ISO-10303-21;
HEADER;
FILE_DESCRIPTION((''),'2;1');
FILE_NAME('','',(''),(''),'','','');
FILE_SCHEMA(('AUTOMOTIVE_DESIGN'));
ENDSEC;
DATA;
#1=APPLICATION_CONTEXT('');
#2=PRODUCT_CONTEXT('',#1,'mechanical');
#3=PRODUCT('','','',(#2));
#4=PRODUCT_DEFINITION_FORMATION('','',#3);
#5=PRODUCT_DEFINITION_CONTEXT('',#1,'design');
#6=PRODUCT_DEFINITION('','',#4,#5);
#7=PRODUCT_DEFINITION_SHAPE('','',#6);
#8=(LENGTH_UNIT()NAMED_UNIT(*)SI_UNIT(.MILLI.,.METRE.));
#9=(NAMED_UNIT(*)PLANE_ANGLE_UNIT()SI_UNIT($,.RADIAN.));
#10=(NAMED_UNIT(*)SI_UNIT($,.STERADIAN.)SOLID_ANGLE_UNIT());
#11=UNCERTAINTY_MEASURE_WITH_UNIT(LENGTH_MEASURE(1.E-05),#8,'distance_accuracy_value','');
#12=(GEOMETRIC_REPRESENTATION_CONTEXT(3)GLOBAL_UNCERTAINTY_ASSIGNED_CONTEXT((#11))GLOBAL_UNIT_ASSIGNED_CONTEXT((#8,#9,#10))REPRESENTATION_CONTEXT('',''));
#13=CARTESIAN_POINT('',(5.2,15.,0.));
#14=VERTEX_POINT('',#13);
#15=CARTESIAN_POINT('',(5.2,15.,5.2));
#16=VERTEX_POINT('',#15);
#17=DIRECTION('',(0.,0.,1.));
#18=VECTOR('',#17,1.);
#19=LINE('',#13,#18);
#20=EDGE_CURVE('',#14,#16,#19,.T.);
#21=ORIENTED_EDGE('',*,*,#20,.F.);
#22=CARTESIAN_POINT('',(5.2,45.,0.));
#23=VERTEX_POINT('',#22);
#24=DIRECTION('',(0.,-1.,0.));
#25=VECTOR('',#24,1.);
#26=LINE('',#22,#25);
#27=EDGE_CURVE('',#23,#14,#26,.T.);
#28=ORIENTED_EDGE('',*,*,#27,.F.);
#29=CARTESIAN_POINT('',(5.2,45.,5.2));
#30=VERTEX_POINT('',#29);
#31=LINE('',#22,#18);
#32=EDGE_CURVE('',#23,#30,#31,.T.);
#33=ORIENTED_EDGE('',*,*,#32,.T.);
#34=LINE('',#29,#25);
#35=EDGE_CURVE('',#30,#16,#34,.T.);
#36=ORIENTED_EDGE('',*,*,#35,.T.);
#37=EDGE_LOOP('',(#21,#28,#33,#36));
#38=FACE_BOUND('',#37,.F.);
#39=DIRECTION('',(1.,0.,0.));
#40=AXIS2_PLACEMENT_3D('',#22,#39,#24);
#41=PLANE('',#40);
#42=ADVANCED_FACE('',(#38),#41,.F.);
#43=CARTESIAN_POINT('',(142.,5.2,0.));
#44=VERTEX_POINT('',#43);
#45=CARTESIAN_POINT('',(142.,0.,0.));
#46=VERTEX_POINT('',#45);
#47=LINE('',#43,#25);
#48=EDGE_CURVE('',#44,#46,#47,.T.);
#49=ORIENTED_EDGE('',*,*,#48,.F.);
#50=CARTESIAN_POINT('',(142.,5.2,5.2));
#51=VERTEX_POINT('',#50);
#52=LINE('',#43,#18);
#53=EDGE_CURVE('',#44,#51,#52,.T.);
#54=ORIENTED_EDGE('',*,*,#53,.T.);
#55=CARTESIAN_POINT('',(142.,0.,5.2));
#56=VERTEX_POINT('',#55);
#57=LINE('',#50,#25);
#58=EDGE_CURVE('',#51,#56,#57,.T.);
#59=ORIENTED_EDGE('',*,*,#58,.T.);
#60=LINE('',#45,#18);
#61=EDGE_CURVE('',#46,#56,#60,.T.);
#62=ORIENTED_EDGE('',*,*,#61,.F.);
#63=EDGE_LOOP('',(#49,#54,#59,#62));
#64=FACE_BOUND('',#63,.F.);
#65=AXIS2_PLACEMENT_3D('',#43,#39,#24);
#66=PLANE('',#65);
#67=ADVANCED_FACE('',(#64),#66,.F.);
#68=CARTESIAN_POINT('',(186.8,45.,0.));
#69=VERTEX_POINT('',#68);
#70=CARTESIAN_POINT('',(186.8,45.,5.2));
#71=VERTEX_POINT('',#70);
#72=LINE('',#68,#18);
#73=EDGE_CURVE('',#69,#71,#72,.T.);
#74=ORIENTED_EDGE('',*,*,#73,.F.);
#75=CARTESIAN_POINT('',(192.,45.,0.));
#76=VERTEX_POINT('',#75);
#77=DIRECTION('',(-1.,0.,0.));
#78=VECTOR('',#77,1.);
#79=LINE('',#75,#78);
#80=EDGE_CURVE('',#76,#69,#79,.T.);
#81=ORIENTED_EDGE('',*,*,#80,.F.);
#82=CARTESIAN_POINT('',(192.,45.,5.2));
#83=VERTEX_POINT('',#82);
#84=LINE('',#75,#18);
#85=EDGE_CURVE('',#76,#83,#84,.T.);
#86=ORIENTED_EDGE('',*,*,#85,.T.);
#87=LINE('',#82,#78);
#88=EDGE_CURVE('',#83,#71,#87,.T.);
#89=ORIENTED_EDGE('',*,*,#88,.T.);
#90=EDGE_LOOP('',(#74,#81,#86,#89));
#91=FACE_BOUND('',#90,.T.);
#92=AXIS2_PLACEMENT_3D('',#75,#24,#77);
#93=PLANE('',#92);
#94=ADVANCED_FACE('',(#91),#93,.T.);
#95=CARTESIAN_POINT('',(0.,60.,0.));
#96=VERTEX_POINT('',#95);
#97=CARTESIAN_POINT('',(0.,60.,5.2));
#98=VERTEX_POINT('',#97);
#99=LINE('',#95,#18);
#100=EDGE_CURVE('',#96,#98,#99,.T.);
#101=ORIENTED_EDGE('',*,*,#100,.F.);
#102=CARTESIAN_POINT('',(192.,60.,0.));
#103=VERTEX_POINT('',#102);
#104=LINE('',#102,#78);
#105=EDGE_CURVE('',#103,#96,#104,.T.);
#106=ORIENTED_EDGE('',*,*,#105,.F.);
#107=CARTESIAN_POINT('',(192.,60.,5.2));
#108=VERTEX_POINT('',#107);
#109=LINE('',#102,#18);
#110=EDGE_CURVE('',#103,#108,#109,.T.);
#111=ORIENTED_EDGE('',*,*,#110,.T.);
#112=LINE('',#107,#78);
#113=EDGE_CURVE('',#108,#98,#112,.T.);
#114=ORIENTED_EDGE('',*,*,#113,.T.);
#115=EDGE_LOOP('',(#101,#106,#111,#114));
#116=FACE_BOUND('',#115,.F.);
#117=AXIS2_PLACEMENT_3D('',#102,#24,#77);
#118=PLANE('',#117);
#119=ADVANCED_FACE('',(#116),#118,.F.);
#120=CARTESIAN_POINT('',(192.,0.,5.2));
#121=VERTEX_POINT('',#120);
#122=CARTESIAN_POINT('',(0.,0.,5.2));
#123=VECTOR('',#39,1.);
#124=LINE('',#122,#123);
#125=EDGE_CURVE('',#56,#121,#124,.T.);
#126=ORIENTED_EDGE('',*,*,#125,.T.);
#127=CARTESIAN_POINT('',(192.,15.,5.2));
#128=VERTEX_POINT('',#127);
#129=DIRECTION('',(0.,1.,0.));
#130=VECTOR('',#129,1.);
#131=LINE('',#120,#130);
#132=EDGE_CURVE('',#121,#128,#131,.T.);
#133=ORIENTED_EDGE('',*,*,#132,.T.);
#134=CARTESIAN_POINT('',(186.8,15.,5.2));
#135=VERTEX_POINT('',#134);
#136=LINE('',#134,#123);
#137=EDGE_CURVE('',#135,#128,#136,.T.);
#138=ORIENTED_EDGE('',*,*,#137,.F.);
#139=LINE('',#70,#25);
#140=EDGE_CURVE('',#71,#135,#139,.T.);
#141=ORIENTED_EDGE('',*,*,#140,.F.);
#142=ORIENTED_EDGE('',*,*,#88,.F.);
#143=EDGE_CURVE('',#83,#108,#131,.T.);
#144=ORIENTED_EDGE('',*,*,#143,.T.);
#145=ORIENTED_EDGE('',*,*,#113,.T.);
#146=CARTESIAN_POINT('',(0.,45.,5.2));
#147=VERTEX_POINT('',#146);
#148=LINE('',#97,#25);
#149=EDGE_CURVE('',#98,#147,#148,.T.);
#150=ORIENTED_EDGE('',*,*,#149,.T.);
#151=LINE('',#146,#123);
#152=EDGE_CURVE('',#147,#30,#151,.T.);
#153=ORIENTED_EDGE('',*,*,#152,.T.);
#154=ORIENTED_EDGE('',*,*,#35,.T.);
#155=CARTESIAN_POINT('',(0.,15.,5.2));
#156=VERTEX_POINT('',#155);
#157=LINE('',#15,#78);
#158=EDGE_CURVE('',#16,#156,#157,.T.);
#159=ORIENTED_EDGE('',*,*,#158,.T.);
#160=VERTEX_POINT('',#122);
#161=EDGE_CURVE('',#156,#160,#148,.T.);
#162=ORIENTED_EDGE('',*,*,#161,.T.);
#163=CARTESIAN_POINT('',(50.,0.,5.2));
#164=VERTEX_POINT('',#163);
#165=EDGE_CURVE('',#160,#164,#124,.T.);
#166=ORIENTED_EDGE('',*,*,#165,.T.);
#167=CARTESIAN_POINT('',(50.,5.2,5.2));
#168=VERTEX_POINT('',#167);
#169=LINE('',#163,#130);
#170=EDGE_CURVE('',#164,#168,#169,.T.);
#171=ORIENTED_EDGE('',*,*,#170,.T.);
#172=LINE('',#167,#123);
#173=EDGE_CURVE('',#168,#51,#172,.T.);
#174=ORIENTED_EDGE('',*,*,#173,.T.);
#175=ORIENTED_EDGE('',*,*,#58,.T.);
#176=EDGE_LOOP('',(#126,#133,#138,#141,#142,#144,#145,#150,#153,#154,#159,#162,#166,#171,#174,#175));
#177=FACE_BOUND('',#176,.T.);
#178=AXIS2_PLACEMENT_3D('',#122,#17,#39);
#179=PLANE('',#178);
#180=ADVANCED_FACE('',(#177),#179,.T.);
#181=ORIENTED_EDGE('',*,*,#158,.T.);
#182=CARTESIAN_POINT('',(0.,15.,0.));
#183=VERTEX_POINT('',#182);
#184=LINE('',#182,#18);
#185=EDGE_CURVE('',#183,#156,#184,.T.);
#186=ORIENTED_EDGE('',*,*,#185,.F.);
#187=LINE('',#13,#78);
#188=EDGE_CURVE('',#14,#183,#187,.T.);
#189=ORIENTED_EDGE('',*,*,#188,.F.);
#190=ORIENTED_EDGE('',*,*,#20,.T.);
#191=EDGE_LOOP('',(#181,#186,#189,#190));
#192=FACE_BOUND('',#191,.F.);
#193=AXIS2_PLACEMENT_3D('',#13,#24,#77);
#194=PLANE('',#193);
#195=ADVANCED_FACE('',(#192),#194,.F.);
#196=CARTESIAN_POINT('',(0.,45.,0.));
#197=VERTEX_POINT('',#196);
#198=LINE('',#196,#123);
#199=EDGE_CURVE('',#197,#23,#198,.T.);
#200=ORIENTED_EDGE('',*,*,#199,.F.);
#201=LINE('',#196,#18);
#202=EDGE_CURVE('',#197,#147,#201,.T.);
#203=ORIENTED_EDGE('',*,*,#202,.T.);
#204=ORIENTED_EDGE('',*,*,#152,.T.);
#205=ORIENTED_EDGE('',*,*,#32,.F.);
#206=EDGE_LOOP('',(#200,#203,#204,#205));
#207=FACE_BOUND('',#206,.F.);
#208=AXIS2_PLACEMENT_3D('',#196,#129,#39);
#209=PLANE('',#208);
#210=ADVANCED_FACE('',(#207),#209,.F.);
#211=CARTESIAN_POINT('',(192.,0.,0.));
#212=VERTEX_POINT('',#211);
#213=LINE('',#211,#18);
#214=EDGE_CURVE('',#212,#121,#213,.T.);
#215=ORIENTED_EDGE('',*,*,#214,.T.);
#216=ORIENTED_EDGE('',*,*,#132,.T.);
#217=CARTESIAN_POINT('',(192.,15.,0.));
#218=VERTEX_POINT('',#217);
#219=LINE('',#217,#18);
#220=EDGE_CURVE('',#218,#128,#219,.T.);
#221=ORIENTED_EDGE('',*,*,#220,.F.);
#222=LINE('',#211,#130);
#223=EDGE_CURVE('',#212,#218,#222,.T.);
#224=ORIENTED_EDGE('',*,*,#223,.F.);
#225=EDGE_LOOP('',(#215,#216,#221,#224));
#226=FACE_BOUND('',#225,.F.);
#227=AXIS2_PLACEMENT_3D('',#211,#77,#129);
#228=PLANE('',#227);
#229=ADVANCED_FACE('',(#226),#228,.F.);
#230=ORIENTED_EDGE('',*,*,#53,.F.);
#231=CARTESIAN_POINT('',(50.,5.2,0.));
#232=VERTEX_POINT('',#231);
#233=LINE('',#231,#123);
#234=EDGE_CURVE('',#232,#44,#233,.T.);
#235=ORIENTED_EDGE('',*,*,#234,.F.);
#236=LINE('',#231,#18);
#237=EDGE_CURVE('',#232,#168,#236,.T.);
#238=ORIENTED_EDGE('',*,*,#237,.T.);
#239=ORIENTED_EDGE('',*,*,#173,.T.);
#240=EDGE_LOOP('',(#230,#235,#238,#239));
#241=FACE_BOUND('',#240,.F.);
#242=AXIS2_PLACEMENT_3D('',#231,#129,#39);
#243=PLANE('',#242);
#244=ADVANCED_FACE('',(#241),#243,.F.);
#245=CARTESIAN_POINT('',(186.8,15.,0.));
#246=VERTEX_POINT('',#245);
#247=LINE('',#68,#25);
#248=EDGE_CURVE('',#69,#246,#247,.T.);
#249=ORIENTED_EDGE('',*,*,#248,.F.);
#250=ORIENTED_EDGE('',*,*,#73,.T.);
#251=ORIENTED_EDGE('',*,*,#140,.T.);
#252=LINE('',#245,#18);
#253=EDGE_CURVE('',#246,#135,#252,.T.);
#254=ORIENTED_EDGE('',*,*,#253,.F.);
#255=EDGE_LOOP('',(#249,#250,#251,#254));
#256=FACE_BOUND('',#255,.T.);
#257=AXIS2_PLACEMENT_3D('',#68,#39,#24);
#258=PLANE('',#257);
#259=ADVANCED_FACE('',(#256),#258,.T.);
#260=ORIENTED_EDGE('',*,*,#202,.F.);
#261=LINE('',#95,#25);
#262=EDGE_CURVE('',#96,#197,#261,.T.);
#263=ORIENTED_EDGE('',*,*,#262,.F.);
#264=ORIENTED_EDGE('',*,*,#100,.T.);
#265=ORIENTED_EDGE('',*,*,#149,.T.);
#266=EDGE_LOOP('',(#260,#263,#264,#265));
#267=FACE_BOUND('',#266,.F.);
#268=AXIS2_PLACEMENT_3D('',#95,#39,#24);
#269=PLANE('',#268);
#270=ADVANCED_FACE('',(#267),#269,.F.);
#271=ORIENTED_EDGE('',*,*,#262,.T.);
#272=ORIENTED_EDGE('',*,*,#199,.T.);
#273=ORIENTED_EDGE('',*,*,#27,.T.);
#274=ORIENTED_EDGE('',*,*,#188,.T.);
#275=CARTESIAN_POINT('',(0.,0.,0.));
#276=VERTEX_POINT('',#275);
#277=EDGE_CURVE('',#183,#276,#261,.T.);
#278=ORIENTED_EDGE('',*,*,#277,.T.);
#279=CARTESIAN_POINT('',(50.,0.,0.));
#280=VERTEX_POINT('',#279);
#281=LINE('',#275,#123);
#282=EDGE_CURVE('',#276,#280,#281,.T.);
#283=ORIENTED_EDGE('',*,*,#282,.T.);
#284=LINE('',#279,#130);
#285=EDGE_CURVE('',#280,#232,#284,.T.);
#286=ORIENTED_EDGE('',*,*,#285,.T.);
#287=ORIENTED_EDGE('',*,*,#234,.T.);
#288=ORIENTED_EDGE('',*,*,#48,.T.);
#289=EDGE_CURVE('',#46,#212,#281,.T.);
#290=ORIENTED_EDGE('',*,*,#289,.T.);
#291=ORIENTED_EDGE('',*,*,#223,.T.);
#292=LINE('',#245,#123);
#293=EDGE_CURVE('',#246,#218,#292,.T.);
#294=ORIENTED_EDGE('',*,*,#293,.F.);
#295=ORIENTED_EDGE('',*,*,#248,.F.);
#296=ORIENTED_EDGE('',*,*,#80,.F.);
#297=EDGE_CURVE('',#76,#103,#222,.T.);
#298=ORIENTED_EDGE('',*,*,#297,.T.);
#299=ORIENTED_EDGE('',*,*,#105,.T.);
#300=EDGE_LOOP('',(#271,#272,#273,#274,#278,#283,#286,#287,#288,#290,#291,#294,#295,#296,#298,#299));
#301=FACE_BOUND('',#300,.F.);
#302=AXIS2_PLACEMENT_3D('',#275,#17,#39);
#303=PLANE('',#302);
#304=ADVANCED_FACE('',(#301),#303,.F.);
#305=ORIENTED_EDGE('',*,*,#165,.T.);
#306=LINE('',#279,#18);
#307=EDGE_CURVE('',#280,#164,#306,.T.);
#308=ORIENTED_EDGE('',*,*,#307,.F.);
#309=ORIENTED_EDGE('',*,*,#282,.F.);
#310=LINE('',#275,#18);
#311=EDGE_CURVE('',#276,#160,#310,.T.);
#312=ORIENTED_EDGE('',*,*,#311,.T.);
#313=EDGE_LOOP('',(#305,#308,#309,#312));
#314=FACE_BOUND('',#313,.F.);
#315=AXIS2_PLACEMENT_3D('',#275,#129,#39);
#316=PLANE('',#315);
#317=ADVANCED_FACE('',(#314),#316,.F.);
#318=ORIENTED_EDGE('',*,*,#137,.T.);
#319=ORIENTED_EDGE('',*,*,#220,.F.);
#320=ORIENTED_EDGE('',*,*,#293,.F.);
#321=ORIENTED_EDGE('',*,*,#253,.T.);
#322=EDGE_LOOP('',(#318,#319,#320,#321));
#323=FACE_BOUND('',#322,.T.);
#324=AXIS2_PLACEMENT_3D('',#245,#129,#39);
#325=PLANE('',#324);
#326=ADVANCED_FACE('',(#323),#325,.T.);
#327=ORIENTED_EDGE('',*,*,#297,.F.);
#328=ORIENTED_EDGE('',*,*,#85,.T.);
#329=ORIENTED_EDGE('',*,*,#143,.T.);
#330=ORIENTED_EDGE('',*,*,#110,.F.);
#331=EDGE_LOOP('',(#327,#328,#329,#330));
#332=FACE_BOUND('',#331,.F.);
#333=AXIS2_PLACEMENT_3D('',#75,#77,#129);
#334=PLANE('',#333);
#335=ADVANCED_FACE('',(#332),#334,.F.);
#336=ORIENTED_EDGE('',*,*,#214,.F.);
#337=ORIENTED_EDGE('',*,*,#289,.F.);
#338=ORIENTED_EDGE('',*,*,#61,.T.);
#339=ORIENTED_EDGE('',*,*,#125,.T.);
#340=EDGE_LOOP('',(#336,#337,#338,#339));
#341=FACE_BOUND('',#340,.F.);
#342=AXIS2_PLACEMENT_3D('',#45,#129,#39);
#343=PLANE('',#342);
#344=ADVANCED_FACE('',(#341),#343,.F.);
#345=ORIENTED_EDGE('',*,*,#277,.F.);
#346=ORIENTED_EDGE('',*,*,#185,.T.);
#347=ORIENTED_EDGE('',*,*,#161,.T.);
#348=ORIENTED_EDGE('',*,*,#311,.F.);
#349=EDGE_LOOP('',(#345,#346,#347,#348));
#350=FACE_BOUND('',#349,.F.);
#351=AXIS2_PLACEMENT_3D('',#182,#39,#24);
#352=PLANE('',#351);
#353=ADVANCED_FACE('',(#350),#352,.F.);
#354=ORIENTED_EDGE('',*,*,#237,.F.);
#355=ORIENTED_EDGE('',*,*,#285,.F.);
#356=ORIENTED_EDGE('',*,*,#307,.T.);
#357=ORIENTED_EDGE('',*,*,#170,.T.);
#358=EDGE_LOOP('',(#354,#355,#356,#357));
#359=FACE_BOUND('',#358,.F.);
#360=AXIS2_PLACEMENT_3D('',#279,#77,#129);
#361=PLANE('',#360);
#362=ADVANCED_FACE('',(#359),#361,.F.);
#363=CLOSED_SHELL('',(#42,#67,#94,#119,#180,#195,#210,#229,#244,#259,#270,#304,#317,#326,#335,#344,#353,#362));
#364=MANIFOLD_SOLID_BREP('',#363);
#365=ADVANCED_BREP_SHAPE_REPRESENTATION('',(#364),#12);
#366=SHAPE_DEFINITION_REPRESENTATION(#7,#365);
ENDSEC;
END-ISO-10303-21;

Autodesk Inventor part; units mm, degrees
ref_plane "YZ Plane" through (0, 0, 0) normal (1, 0, 0) x (0, 1, 0)
ref_plane "XZ Plane" through (0, 0, 0) normal (0, 1, 0) x (-1, 0, 0)
ref_plane "XY Plane" through (0, 0, 0) normal (0, 0, 1) x (1, 0, 0)
sketch "Sketch1" plane through (0, 0, 0) normal (0, 0, 1) x (1, 0, 0)
  line L0 (0, 0) -> (192, 0)
  line L1 (192, 0) -> (192, 60)
  line L2 (192, 60) -> (0, 60)
  line L3 (0, 60) -> (0, 0)
  line L4 (192, 45) -> (186.8, 45)
  line L5 (186.8, 45) -> (186.8, 15)
  line L6 (186.8, 15) -> (192, 15)
  line L7 (192, 15) -> (192, 45)
  line L8 (0, 45) -> (5.2, 45)
  line L9 (5.2, 45) -> (5.2, 15)
  line L10 (5.2, 15) -> (0, 15)
  line L11 (0, 15) -> (0, 45)
  line L12 (142, 0) -> (50, 0)
  line L13 (50, 0) -> (50, 5.2)
  line L14 (50, 5.2) -> (142, 5.2)
  line L15 (142, 5.2) -> (142, 0)
  dimension "d0" = 60
  dimension "d1" = 192
  dimension "d4" = 5.2
  dimension "d5" = 30
  dimension "d6" = 15
  dimension "d7" = 30
  dimension "d8" = 5.2
  dimension "d9" = 15
  dimension "d12" = 50
  dimension "d13" = 50
  dimension "d14" = 5.2
extrude "Extrusion3" add sketch "Sketch1" along normal blind 5.2 contours L3 L10 L9 L8 L2 L1 L4 L5 L6 L0 L15 L14 L13
properties part number "Back Plate"
